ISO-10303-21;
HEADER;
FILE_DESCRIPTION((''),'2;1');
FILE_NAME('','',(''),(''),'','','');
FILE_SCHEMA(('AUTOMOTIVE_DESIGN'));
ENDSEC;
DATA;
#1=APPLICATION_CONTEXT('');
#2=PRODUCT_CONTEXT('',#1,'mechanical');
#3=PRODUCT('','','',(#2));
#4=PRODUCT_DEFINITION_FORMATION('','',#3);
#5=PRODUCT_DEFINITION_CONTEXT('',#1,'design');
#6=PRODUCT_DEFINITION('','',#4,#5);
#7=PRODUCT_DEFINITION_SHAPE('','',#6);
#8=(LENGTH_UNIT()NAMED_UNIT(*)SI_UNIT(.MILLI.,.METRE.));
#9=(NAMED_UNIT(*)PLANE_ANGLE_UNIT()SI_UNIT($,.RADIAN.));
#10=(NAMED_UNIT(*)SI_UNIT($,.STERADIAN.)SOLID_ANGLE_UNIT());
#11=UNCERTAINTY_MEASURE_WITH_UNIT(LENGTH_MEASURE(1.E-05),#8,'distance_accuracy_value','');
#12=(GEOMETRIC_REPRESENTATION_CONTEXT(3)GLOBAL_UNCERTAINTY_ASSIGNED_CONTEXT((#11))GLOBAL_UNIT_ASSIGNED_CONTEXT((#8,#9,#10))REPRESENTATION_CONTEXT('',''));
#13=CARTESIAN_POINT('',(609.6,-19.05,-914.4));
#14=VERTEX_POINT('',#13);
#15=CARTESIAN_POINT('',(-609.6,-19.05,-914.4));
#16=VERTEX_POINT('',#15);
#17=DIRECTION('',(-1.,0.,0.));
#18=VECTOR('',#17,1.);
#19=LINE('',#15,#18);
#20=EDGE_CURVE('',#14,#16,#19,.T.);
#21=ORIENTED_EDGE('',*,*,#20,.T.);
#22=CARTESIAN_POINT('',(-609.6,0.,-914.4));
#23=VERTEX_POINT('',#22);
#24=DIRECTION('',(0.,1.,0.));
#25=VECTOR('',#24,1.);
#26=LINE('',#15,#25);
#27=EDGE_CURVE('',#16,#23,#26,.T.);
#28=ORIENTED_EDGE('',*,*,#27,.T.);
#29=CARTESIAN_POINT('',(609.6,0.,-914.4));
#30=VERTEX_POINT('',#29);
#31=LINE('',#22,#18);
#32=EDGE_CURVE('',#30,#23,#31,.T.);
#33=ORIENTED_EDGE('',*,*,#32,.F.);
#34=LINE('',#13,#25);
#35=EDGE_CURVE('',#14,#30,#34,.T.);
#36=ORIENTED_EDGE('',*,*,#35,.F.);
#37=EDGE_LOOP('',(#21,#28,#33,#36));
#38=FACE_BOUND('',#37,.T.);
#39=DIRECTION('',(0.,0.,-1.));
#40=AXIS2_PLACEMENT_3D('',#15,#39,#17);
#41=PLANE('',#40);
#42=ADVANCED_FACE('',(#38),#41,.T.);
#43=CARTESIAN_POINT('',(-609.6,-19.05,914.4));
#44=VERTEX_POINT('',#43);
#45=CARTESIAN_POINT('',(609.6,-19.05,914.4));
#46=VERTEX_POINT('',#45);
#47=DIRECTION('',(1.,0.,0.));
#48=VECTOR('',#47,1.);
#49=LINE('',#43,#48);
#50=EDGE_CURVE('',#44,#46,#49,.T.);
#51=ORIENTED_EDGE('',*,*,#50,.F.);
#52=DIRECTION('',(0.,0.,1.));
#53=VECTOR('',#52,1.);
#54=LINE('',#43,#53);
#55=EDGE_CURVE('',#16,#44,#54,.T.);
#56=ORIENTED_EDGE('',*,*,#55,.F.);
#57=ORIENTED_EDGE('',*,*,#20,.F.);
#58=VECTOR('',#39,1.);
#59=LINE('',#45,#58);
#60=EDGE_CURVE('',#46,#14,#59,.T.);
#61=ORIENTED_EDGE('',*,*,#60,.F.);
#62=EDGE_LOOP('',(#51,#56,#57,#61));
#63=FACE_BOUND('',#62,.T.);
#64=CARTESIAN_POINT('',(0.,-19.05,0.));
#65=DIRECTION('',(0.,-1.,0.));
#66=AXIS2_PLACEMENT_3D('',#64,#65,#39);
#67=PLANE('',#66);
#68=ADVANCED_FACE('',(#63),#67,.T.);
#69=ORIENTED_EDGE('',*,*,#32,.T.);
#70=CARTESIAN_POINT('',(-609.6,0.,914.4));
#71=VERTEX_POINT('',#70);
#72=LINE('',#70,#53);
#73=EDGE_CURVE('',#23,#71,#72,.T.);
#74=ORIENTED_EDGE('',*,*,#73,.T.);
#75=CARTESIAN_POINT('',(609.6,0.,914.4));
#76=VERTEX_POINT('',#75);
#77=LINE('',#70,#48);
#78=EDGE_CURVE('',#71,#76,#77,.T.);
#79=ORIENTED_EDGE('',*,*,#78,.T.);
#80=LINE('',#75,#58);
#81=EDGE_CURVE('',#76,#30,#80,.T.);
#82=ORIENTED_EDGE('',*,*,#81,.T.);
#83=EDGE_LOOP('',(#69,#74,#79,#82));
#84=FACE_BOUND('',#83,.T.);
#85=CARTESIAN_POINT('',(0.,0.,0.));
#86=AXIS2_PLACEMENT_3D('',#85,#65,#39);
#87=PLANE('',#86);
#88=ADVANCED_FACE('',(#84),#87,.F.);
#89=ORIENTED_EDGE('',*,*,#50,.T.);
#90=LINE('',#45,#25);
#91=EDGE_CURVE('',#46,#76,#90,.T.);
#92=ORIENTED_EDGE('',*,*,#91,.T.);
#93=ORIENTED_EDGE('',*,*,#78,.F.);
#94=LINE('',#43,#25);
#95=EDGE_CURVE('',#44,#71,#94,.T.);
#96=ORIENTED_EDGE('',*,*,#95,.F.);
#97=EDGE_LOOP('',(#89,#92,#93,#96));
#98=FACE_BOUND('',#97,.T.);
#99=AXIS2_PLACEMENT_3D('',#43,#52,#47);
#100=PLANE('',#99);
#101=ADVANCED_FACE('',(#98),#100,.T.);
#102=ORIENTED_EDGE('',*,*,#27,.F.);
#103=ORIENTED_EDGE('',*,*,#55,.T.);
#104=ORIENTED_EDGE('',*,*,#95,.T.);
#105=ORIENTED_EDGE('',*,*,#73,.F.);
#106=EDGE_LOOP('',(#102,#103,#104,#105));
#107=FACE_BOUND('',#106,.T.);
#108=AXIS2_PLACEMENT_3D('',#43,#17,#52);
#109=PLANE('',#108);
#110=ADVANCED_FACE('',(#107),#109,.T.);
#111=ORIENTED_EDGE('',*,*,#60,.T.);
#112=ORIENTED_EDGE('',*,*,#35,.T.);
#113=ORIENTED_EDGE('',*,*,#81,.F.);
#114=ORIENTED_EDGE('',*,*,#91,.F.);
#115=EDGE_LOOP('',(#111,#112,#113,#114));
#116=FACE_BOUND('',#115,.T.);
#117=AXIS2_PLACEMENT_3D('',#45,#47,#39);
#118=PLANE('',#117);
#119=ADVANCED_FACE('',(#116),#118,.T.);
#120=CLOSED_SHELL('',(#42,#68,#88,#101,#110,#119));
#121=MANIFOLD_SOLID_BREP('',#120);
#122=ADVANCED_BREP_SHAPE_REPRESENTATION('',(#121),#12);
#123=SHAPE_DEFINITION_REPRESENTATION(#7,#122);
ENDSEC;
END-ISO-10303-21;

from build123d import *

# Parameters (mm, degrees)
SKETCH1_W           = 1219.2
SKETCH1_H           = 1828.8
BOSS_EXTRUDE1_DEPTH = 19.05


with BuildPart() as part:
    # Sketch1 → Boss-Extrude1 (new body)
    with BuildSketch(Plane(origin=(0, 0, 0), x_dir=(1, 0, 0), z_dir=(0, 1, 0))):
        Rectangle(SKETCH1_W, SKETCH1_H)
    extrude(amount=-BOSS_EXTRUDE1_DEPTH)


solid = part.part
